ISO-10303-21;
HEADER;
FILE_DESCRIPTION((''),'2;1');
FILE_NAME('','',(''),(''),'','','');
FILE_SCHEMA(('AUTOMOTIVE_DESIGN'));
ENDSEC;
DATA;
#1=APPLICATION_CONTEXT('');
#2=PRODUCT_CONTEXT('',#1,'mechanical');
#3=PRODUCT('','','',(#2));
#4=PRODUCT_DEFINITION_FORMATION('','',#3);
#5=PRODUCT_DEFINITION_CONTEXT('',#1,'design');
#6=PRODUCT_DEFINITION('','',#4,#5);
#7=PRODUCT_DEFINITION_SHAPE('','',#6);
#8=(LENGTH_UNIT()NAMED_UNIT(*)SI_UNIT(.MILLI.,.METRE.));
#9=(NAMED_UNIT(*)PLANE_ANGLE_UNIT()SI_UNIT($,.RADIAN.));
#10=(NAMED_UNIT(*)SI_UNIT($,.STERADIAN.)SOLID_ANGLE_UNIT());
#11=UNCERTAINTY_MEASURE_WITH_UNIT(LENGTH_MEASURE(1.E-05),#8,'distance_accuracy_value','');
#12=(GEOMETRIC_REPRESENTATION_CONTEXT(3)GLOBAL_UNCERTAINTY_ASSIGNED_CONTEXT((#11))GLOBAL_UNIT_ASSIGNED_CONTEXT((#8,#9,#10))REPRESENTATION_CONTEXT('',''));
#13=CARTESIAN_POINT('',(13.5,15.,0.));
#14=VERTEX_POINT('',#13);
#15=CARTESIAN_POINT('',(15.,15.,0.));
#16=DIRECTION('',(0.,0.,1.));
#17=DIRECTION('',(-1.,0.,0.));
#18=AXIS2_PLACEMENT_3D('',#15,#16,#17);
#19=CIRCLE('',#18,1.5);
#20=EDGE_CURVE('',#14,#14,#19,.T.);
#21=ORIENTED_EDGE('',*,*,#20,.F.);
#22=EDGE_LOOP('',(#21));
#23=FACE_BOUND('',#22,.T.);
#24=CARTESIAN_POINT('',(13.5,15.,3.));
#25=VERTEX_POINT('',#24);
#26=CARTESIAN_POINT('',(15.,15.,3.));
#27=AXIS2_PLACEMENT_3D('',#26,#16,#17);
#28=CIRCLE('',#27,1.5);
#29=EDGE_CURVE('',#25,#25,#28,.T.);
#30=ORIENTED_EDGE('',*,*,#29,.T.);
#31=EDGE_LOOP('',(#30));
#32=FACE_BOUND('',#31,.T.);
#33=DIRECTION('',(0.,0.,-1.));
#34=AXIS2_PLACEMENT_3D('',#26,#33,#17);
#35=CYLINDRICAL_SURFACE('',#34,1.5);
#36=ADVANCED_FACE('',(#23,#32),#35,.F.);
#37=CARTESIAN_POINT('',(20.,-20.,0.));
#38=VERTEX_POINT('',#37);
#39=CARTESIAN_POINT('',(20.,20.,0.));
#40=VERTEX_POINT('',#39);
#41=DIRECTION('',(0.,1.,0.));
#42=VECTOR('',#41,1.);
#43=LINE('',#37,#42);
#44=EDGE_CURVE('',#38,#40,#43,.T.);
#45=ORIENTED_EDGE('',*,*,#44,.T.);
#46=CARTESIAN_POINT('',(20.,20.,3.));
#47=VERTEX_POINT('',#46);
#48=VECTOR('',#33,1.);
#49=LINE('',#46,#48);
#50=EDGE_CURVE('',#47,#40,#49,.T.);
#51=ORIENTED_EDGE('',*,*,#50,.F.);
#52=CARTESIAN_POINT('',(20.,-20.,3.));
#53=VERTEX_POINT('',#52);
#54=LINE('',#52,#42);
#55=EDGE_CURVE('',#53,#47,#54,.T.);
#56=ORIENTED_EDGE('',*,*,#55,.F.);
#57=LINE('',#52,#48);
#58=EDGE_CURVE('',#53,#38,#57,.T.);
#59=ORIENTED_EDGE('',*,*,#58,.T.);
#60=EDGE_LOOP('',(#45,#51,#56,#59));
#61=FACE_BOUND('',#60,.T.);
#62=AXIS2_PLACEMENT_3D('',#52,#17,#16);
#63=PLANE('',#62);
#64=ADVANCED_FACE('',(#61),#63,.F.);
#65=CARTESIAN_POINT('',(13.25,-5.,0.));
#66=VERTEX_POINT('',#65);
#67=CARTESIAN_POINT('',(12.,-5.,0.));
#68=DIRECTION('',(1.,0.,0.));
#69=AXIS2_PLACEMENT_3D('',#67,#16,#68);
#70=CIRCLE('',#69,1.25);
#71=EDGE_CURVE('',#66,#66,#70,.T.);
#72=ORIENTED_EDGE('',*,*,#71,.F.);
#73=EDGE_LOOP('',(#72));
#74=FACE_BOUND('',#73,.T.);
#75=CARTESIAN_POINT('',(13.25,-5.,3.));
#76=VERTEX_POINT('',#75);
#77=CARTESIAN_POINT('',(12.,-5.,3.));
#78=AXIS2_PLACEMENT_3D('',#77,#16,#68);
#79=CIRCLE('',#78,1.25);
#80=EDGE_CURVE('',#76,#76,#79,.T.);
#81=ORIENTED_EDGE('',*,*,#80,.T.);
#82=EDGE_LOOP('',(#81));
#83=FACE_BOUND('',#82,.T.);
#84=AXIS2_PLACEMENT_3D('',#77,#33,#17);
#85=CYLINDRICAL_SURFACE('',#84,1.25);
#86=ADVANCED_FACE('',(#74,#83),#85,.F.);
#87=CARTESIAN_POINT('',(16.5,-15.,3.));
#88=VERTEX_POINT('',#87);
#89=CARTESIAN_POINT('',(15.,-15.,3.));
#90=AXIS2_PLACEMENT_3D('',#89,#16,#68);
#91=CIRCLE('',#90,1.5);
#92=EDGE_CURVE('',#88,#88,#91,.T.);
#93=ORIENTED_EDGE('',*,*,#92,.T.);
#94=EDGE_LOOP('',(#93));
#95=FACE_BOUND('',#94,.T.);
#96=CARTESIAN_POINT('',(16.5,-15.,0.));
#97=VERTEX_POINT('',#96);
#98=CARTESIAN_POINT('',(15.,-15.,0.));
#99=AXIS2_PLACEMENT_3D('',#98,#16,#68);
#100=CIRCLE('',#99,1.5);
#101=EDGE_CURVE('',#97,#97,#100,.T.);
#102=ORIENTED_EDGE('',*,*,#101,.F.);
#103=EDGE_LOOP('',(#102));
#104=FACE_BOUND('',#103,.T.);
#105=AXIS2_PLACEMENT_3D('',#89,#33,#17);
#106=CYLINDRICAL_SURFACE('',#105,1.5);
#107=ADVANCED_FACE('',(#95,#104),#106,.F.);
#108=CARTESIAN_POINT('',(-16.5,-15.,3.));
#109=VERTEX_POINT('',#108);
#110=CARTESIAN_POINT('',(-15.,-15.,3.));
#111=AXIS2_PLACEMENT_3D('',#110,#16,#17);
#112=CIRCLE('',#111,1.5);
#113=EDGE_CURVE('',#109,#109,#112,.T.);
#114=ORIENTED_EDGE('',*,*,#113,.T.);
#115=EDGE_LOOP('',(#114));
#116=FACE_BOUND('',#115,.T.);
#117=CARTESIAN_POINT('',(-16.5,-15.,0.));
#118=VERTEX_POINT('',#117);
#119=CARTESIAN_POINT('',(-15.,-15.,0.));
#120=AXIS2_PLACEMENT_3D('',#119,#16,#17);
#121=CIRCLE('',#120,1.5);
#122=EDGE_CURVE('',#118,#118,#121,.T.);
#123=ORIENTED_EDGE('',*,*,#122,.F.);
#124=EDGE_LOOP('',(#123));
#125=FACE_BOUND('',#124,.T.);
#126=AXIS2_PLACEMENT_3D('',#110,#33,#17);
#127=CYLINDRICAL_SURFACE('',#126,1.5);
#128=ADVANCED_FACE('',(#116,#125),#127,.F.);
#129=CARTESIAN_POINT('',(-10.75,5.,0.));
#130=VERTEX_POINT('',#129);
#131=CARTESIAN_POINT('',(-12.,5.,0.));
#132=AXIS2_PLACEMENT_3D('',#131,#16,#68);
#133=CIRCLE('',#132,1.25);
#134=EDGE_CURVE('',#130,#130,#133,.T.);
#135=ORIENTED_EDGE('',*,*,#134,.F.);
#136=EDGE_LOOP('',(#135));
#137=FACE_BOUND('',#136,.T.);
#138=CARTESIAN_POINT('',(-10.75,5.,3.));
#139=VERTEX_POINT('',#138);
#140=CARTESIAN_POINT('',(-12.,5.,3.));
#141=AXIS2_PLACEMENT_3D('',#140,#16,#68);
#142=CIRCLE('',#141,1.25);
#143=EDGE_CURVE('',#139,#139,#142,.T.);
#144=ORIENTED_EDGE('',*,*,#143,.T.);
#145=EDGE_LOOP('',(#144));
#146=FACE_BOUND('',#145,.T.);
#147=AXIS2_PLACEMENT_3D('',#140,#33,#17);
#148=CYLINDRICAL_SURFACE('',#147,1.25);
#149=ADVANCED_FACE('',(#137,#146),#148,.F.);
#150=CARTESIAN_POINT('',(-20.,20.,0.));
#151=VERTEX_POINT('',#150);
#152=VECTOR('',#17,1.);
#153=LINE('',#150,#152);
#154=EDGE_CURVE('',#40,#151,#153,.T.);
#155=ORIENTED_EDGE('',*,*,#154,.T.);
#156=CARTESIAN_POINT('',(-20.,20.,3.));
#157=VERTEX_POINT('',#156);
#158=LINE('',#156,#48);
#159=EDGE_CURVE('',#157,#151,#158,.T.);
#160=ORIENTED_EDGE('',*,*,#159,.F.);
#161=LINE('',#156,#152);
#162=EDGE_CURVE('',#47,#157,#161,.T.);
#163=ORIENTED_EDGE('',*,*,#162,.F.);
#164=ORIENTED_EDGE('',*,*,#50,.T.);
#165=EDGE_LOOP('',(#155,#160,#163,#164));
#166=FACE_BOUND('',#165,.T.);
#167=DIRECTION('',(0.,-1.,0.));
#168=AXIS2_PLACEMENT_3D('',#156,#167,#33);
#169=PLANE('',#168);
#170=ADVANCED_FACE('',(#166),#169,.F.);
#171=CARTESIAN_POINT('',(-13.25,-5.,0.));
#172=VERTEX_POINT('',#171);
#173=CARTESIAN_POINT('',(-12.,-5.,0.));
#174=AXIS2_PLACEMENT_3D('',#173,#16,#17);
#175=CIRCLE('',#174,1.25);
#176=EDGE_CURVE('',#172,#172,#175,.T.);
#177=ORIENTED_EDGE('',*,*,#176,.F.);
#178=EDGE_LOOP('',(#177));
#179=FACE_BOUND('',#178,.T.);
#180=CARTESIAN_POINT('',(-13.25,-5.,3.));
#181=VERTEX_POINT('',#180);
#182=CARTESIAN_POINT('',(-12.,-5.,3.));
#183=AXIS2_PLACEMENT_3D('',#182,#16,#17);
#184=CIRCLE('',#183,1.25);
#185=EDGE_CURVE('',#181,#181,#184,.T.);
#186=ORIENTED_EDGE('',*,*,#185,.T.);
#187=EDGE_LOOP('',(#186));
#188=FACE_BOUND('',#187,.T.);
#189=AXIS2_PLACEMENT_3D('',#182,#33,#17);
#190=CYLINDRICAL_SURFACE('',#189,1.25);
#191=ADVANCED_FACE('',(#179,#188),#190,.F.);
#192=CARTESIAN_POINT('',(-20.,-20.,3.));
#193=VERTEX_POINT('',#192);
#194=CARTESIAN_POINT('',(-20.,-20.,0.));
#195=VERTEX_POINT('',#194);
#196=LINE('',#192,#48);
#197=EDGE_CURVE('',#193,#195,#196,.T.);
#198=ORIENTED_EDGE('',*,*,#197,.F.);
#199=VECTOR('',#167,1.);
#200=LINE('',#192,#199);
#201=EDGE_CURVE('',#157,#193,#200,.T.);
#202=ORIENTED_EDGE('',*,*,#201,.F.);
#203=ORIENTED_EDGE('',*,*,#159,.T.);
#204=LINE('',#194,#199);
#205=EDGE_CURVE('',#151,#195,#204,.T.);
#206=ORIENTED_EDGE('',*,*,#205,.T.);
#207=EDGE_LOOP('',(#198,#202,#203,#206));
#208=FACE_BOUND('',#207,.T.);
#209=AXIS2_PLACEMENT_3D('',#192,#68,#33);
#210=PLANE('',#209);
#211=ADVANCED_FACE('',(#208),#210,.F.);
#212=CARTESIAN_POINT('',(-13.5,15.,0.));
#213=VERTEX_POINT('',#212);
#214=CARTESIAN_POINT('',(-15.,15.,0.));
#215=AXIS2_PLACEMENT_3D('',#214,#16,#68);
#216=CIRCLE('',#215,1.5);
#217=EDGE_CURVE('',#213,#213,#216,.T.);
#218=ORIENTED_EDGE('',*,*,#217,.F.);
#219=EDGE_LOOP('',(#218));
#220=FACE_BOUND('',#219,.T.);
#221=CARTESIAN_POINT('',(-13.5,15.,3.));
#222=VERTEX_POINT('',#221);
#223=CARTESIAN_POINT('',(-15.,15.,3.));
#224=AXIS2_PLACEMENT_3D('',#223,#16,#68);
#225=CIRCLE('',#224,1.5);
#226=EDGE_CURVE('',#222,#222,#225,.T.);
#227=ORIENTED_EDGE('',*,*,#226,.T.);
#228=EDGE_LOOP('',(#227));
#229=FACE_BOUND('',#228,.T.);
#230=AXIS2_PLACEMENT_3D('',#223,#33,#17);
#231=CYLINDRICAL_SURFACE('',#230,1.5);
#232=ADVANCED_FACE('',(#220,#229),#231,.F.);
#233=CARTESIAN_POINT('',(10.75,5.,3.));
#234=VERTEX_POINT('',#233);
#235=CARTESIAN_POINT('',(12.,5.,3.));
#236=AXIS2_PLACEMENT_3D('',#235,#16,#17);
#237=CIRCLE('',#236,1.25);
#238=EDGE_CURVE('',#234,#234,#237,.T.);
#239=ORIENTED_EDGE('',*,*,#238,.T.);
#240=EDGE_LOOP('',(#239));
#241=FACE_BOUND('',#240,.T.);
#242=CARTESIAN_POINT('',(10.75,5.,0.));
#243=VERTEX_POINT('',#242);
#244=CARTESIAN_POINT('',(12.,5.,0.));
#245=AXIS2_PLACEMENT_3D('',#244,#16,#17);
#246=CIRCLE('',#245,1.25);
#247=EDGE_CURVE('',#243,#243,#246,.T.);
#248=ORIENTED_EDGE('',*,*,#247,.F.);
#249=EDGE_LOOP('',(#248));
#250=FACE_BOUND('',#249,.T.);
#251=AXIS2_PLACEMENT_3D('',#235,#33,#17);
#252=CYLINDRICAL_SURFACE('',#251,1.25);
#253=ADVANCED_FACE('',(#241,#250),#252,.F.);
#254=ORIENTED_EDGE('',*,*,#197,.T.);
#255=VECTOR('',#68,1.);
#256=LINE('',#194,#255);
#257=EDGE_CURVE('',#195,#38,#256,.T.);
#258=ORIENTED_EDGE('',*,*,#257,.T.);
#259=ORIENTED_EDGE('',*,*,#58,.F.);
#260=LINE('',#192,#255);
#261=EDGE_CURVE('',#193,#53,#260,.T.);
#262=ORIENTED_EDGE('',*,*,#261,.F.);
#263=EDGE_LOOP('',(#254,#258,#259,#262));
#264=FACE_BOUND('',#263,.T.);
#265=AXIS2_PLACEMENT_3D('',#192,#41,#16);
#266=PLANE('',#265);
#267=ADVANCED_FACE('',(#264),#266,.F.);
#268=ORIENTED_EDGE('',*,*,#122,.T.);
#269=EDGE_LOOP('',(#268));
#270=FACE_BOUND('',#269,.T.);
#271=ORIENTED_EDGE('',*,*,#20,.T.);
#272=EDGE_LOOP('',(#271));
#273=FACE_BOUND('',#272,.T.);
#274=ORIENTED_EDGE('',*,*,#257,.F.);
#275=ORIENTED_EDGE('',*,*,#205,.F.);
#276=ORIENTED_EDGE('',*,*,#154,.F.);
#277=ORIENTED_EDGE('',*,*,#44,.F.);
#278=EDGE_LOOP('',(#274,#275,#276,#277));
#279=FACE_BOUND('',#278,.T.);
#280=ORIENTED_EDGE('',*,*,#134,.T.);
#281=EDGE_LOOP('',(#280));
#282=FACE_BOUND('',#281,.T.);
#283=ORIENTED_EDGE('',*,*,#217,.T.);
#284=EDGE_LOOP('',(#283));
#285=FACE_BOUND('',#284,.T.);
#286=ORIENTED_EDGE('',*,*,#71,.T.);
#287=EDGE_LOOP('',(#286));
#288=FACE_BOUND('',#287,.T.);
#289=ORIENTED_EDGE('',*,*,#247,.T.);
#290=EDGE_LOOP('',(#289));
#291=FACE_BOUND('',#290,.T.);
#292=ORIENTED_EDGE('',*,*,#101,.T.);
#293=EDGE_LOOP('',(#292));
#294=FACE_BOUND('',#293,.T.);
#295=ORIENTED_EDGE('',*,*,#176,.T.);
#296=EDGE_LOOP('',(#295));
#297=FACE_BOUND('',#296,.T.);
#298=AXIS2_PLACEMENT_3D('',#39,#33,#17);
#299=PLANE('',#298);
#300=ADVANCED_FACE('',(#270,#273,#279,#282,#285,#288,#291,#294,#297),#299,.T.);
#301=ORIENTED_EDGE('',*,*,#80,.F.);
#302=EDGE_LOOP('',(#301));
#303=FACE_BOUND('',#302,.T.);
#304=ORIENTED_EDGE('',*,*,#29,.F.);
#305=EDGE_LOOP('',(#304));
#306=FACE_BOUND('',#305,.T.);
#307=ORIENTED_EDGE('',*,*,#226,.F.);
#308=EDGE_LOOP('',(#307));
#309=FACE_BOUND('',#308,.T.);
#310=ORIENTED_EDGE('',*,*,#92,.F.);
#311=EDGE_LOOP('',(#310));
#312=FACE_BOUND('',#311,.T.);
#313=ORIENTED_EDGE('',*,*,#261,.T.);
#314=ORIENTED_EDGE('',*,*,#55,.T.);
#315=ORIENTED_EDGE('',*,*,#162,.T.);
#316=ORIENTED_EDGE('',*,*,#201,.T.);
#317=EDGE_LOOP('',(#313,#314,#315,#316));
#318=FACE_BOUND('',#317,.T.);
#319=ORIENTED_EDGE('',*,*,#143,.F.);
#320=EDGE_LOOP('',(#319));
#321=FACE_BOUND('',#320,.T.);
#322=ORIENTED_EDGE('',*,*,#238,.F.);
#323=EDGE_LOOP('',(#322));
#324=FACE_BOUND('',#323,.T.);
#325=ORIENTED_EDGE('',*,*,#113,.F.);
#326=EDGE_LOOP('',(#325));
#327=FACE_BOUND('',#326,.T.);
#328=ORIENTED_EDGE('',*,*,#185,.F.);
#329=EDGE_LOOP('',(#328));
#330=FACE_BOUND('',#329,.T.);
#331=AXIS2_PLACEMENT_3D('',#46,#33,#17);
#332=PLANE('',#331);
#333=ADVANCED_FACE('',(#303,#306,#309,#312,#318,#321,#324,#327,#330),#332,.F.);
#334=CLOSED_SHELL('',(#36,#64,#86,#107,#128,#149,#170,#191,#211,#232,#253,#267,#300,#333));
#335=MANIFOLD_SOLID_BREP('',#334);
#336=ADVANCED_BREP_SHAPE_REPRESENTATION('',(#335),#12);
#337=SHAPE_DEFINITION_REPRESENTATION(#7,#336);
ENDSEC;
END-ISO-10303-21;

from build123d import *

# Parameters (mm, degrees)
ESQUISSE1_W        = 40
ESQUISSE1_H        = 40
ESQUISSE1_R        = 1.5
ESQUISSE1_R_2      = 1.25
BOSS_EXTRU_1_DEPTH = 3


with BuildPart() as part:
    # Esquisse1 → Boss.-Extru.1 (new body)
    with BuildSketch(Plane.XY):
        Rectangle(ESQUISSE1_W, ESQUISSE1_H)
        with Locations((-15, 15)):
            Circle(ESQUISSE1_R, mode=Mode.SUBTRACT)
        with Locations((15, 15)):
            Circle(ESQUISSE1_R, mode=Mode.SUBTRACT)
        with Locations((15, -15)):
            Circle(ESQUISSE1_R, mode=Mode.SUBTRACT)
        with Locations((-15, -15)):
            Circle(ESQUISSE1_R, mode=Mode.SUBTRACT)
        with Locations((-12, 5)):
            Circle(ESQUISSE1_R_2, mode=Mode.SUBTRACT)
        with Locations((-12, -5)):
            Circle(ESQUISSE1_R_2, mode=Mode.SUBTRACT)
        with Locations((12, -5)):
            Circle(ESQUISSE1_R_2, mode=Mode.SUBTRACT)
        with Locations((12, 5)):
            Circle(ESQUISSE1_R_2, mode=Mode.SUBTRACT)
    extrude(amount=BOSS_EXTRU_1_DEPTH)


solid = part.part
